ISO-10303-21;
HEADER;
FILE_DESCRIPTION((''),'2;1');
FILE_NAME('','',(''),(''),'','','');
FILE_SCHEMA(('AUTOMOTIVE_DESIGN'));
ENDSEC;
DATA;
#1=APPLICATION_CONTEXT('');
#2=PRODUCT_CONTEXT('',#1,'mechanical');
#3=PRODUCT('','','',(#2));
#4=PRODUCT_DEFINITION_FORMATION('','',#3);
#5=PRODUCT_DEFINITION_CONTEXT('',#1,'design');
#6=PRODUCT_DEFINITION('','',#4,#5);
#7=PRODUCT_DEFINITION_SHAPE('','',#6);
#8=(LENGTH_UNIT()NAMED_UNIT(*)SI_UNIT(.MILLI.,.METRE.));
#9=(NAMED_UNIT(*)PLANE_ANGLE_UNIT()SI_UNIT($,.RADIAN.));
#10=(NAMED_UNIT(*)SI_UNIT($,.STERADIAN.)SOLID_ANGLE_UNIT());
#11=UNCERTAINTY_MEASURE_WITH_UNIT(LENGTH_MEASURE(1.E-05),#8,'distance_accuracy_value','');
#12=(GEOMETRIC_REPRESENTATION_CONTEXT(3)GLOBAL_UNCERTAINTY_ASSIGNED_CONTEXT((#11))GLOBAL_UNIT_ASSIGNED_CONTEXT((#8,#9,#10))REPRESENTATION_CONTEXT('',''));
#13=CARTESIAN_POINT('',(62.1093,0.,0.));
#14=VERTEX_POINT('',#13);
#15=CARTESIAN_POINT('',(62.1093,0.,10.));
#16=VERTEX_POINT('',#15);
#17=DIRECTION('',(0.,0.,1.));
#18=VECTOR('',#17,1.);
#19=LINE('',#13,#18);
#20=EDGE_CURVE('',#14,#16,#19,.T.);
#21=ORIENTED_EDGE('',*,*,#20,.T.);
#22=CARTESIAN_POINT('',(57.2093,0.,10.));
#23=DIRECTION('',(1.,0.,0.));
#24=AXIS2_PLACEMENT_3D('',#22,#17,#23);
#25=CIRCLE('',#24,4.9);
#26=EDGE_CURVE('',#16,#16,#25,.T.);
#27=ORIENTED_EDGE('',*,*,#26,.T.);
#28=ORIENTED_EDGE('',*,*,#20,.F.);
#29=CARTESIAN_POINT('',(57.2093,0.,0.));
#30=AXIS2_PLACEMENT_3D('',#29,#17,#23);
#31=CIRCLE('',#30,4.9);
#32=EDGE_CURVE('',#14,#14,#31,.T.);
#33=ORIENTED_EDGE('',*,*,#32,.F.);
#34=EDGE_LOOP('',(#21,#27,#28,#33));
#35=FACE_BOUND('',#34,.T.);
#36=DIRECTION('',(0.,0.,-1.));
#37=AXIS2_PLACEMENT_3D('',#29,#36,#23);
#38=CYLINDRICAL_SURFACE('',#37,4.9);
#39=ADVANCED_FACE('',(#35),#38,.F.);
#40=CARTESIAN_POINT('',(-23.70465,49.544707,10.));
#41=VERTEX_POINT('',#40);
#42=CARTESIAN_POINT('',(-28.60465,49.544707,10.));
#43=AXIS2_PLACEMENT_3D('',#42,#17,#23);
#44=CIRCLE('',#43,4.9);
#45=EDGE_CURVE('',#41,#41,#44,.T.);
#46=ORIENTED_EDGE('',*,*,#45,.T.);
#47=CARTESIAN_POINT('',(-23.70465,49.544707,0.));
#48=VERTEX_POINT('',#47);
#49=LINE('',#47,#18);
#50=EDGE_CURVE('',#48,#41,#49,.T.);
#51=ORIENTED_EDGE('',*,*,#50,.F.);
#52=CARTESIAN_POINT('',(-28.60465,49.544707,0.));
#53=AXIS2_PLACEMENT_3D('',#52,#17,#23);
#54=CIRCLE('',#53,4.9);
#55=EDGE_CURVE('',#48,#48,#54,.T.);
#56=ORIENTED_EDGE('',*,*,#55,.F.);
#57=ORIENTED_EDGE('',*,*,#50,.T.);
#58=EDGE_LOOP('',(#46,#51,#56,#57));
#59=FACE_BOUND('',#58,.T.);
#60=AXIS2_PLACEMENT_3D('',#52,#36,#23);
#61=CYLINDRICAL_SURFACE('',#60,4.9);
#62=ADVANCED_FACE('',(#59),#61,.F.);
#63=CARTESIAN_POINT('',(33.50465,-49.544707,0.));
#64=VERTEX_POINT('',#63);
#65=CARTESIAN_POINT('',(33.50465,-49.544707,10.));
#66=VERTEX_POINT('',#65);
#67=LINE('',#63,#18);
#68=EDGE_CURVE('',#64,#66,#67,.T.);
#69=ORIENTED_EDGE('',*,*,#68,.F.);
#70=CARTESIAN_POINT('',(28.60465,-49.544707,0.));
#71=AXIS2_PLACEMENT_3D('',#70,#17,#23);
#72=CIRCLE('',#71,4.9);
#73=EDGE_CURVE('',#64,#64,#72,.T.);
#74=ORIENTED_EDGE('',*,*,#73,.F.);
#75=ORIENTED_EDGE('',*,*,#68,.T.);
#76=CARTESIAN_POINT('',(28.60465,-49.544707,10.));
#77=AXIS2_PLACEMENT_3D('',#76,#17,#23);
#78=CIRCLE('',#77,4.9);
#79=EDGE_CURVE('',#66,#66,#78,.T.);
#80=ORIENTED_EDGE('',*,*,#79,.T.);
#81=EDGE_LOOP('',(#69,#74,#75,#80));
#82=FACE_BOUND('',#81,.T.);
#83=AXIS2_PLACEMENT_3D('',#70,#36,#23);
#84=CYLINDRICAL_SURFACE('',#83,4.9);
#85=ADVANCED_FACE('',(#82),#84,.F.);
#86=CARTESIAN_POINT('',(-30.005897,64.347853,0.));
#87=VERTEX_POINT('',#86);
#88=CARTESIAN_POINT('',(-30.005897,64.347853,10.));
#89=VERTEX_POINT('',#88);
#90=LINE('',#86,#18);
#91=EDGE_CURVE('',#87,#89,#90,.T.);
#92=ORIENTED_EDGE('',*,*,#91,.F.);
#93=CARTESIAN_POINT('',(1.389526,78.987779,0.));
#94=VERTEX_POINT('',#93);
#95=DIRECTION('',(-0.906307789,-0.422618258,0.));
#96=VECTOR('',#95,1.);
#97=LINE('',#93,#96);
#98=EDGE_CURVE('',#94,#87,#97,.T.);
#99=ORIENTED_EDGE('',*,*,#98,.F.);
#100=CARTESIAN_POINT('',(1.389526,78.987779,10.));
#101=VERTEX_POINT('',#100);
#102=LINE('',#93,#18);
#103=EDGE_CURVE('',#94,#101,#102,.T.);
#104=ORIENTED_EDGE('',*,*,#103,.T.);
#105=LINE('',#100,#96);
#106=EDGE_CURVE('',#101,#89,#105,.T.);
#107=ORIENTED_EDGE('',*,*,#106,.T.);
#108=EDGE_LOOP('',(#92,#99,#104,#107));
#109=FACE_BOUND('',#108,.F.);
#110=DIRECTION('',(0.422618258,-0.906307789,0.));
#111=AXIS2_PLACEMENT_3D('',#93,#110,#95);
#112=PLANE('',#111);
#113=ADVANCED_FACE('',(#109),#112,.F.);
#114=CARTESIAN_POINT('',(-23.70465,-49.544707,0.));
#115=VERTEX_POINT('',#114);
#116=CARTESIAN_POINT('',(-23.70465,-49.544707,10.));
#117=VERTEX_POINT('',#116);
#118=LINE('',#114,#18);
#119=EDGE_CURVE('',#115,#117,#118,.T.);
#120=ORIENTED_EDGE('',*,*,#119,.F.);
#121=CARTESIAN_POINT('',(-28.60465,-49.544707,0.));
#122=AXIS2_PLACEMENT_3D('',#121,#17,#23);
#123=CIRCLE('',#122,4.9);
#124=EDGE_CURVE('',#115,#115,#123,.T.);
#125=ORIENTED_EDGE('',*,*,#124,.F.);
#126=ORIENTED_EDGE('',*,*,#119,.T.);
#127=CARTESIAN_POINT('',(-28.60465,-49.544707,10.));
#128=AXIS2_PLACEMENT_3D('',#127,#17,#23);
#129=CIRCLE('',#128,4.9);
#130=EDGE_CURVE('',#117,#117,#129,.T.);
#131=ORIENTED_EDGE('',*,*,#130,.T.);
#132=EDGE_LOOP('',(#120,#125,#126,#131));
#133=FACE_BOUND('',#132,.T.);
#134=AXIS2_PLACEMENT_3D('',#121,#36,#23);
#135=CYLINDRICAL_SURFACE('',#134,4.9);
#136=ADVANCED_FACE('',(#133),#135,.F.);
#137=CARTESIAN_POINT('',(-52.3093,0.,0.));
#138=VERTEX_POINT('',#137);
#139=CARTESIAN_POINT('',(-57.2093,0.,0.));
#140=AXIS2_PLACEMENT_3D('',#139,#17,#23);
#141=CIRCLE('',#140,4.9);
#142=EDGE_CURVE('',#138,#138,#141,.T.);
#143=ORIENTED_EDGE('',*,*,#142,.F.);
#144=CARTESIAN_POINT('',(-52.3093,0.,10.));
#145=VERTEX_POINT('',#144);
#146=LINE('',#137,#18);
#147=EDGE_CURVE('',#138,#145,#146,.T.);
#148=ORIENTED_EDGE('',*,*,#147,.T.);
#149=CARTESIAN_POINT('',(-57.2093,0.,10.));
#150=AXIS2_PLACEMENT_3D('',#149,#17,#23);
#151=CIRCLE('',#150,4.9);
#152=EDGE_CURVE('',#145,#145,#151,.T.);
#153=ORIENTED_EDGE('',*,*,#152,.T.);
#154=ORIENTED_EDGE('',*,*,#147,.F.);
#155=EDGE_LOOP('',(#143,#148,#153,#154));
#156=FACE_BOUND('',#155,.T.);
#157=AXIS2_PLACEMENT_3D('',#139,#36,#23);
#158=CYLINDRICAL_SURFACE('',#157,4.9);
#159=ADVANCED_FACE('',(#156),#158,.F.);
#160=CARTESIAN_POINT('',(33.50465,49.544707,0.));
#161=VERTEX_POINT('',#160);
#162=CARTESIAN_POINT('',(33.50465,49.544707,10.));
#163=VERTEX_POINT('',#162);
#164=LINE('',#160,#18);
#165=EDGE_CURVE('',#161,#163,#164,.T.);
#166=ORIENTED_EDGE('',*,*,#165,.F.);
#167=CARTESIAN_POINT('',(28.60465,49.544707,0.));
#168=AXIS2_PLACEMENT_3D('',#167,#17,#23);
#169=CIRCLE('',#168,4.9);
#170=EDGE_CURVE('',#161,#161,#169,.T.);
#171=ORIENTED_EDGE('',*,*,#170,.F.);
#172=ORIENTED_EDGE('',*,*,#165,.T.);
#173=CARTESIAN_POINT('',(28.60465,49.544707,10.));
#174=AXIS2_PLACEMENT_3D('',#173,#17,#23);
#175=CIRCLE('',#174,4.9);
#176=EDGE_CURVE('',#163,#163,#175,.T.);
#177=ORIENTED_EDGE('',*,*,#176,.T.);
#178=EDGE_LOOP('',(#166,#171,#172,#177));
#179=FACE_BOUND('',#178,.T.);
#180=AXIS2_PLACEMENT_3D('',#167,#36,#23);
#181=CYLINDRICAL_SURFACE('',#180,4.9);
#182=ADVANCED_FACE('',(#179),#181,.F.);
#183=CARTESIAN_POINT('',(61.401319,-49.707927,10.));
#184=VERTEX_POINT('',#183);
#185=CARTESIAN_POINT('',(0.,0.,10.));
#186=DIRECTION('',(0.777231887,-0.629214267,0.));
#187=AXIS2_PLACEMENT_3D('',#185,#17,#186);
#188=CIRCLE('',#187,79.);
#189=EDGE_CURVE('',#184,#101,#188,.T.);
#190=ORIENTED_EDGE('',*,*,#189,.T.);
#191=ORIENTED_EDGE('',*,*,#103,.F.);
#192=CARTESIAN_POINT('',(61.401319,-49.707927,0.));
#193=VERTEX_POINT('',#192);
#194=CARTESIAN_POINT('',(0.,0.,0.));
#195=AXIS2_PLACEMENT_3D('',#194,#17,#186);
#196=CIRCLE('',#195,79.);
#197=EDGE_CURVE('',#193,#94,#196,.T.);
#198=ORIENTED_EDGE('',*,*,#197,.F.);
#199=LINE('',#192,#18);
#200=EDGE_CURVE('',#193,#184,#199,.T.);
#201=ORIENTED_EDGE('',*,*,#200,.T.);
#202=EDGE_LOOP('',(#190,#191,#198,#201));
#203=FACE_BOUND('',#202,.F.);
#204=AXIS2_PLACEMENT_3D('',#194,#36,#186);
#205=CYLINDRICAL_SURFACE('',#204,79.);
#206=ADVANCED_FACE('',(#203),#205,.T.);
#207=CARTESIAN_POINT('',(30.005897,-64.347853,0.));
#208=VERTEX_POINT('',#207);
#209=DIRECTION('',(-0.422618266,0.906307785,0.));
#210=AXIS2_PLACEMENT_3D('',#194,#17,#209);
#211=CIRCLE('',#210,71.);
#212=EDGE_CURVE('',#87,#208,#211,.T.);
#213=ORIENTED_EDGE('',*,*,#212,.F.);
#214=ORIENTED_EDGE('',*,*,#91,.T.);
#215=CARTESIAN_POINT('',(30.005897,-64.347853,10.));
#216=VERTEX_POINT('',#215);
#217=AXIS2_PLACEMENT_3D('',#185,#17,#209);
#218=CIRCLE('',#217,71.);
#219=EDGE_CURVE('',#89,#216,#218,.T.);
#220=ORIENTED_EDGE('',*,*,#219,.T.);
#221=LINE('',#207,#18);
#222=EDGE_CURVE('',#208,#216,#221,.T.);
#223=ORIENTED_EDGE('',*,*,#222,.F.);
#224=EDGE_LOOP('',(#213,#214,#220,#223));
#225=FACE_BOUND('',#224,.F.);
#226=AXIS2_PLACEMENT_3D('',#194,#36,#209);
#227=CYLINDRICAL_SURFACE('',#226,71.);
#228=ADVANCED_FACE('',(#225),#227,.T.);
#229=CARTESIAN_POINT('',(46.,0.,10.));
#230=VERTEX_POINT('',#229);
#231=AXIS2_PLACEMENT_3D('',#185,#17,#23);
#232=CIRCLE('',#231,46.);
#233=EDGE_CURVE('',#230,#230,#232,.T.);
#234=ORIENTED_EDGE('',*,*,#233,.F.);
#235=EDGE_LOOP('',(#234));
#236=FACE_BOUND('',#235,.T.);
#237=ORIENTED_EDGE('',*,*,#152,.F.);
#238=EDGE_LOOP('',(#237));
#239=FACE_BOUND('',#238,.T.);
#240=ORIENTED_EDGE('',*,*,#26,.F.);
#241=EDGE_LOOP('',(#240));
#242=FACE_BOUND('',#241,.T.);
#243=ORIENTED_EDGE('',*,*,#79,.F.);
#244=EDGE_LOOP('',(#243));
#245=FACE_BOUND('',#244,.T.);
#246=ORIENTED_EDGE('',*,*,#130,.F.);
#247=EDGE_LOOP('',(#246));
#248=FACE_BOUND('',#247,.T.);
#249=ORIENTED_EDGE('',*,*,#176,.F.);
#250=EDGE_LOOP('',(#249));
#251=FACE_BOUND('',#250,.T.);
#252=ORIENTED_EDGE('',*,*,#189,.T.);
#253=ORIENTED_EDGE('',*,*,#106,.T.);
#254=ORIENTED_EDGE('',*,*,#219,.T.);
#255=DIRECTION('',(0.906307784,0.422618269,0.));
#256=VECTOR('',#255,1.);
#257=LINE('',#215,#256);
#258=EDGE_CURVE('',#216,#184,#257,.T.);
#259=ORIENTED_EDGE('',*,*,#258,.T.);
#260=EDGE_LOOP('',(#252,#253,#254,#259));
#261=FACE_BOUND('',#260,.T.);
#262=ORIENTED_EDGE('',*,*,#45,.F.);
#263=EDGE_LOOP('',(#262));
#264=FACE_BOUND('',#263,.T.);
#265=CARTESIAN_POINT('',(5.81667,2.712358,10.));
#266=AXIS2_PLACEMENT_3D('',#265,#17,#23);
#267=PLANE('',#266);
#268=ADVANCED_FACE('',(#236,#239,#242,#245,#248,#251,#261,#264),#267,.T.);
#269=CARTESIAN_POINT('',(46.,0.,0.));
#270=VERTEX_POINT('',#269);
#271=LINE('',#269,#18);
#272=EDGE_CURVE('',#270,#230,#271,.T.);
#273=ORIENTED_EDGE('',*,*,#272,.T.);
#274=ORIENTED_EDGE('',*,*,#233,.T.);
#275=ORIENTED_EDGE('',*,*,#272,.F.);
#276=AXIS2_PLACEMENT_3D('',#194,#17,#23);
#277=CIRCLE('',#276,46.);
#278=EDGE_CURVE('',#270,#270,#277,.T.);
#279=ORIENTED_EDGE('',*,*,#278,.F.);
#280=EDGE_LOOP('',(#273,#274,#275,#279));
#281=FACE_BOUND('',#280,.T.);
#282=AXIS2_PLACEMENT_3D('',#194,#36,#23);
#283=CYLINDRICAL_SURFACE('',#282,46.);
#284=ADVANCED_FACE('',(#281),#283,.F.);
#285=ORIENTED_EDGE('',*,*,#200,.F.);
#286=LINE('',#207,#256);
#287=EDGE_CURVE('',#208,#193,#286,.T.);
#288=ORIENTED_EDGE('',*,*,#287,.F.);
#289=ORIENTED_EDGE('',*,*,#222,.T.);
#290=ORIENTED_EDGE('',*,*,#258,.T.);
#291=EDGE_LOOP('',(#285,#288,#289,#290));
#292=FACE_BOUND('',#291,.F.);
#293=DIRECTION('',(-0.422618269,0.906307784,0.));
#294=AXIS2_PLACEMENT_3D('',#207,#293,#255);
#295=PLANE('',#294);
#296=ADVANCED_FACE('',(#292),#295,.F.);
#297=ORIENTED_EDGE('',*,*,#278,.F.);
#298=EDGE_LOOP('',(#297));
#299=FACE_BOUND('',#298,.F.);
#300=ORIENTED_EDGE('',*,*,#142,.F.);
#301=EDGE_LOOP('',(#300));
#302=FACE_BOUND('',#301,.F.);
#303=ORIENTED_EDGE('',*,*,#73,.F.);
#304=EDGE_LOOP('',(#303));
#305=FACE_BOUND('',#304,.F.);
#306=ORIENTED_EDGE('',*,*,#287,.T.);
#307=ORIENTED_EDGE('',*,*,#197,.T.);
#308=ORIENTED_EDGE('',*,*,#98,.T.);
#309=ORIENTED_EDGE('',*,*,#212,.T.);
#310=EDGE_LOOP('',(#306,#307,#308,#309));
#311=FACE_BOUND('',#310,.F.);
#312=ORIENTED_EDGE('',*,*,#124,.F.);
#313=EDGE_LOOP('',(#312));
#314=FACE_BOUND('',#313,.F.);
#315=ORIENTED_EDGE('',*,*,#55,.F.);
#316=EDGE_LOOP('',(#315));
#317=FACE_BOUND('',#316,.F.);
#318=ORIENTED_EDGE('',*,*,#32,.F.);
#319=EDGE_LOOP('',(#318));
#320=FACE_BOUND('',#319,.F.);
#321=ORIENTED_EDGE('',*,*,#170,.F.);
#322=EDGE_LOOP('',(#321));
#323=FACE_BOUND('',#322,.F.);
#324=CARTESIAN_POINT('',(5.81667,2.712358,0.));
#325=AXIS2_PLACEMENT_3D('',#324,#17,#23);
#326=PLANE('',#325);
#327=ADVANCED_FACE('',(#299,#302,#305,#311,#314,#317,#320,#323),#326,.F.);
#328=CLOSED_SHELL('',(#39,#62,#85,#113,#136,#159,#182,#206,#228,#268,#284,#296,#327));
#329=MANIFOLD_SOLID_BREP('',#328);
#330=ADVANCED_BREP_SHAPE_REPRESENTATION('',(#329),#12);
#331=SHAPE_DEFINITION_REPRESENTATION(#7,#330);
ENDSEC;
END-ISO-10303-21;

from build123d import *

# Parameters (mm, degrees)
F0_R     = 4.9
F0_R_2   = 46
F1_DEPTH = 10


with BuildPart() as f1:
    # F0 (on Top) → F1 (new body)
    with BuildSketch(Plane.XY):
        with BuildLine():
            Line((1.389526, 78.987779), (-30.005897, 64.347853))
            ThreePointArc((-30.005897, 64.347853), (-64.347853, -30.005897), (30.005897, -64.347853))
            Line((30.005897, -64.347853), (61.401319, -49.707927))
            ThreePointArc((61.401319, -49.707927), (71.598315, 33.386843), (1.389526, 78.987779))
        make_face()
        with Locations((-28.60465, -49.544707)):
            Circle(F0_R, mode=Mode.SUBTRACT)
        with Locations((-57.2093, 0)):
            Circle(F0_R, mode=Mode.SUBTRACT)
        Circle(F0_R_2, mode=Mode.SUBTRACT)
        with Locations((28.60465, -49.544707)):
            Circle(F0_R, mode=Mode.SUBTRACT)
        with Locations((57.2093, 0)):
            Circle(F0_R, mode=Mode.SUBTRACT)
        with Locations((-28.60465, 49.544707)):
            Circle(F0_R, mode=Mode.SUBTRACT)
        with Locations((28.60465, 49.544707)):
            Circle(F0_R, mode=Mode.SUBTRACT)
    extrude(amount=F1_DEPTH)


solid = f1.part
